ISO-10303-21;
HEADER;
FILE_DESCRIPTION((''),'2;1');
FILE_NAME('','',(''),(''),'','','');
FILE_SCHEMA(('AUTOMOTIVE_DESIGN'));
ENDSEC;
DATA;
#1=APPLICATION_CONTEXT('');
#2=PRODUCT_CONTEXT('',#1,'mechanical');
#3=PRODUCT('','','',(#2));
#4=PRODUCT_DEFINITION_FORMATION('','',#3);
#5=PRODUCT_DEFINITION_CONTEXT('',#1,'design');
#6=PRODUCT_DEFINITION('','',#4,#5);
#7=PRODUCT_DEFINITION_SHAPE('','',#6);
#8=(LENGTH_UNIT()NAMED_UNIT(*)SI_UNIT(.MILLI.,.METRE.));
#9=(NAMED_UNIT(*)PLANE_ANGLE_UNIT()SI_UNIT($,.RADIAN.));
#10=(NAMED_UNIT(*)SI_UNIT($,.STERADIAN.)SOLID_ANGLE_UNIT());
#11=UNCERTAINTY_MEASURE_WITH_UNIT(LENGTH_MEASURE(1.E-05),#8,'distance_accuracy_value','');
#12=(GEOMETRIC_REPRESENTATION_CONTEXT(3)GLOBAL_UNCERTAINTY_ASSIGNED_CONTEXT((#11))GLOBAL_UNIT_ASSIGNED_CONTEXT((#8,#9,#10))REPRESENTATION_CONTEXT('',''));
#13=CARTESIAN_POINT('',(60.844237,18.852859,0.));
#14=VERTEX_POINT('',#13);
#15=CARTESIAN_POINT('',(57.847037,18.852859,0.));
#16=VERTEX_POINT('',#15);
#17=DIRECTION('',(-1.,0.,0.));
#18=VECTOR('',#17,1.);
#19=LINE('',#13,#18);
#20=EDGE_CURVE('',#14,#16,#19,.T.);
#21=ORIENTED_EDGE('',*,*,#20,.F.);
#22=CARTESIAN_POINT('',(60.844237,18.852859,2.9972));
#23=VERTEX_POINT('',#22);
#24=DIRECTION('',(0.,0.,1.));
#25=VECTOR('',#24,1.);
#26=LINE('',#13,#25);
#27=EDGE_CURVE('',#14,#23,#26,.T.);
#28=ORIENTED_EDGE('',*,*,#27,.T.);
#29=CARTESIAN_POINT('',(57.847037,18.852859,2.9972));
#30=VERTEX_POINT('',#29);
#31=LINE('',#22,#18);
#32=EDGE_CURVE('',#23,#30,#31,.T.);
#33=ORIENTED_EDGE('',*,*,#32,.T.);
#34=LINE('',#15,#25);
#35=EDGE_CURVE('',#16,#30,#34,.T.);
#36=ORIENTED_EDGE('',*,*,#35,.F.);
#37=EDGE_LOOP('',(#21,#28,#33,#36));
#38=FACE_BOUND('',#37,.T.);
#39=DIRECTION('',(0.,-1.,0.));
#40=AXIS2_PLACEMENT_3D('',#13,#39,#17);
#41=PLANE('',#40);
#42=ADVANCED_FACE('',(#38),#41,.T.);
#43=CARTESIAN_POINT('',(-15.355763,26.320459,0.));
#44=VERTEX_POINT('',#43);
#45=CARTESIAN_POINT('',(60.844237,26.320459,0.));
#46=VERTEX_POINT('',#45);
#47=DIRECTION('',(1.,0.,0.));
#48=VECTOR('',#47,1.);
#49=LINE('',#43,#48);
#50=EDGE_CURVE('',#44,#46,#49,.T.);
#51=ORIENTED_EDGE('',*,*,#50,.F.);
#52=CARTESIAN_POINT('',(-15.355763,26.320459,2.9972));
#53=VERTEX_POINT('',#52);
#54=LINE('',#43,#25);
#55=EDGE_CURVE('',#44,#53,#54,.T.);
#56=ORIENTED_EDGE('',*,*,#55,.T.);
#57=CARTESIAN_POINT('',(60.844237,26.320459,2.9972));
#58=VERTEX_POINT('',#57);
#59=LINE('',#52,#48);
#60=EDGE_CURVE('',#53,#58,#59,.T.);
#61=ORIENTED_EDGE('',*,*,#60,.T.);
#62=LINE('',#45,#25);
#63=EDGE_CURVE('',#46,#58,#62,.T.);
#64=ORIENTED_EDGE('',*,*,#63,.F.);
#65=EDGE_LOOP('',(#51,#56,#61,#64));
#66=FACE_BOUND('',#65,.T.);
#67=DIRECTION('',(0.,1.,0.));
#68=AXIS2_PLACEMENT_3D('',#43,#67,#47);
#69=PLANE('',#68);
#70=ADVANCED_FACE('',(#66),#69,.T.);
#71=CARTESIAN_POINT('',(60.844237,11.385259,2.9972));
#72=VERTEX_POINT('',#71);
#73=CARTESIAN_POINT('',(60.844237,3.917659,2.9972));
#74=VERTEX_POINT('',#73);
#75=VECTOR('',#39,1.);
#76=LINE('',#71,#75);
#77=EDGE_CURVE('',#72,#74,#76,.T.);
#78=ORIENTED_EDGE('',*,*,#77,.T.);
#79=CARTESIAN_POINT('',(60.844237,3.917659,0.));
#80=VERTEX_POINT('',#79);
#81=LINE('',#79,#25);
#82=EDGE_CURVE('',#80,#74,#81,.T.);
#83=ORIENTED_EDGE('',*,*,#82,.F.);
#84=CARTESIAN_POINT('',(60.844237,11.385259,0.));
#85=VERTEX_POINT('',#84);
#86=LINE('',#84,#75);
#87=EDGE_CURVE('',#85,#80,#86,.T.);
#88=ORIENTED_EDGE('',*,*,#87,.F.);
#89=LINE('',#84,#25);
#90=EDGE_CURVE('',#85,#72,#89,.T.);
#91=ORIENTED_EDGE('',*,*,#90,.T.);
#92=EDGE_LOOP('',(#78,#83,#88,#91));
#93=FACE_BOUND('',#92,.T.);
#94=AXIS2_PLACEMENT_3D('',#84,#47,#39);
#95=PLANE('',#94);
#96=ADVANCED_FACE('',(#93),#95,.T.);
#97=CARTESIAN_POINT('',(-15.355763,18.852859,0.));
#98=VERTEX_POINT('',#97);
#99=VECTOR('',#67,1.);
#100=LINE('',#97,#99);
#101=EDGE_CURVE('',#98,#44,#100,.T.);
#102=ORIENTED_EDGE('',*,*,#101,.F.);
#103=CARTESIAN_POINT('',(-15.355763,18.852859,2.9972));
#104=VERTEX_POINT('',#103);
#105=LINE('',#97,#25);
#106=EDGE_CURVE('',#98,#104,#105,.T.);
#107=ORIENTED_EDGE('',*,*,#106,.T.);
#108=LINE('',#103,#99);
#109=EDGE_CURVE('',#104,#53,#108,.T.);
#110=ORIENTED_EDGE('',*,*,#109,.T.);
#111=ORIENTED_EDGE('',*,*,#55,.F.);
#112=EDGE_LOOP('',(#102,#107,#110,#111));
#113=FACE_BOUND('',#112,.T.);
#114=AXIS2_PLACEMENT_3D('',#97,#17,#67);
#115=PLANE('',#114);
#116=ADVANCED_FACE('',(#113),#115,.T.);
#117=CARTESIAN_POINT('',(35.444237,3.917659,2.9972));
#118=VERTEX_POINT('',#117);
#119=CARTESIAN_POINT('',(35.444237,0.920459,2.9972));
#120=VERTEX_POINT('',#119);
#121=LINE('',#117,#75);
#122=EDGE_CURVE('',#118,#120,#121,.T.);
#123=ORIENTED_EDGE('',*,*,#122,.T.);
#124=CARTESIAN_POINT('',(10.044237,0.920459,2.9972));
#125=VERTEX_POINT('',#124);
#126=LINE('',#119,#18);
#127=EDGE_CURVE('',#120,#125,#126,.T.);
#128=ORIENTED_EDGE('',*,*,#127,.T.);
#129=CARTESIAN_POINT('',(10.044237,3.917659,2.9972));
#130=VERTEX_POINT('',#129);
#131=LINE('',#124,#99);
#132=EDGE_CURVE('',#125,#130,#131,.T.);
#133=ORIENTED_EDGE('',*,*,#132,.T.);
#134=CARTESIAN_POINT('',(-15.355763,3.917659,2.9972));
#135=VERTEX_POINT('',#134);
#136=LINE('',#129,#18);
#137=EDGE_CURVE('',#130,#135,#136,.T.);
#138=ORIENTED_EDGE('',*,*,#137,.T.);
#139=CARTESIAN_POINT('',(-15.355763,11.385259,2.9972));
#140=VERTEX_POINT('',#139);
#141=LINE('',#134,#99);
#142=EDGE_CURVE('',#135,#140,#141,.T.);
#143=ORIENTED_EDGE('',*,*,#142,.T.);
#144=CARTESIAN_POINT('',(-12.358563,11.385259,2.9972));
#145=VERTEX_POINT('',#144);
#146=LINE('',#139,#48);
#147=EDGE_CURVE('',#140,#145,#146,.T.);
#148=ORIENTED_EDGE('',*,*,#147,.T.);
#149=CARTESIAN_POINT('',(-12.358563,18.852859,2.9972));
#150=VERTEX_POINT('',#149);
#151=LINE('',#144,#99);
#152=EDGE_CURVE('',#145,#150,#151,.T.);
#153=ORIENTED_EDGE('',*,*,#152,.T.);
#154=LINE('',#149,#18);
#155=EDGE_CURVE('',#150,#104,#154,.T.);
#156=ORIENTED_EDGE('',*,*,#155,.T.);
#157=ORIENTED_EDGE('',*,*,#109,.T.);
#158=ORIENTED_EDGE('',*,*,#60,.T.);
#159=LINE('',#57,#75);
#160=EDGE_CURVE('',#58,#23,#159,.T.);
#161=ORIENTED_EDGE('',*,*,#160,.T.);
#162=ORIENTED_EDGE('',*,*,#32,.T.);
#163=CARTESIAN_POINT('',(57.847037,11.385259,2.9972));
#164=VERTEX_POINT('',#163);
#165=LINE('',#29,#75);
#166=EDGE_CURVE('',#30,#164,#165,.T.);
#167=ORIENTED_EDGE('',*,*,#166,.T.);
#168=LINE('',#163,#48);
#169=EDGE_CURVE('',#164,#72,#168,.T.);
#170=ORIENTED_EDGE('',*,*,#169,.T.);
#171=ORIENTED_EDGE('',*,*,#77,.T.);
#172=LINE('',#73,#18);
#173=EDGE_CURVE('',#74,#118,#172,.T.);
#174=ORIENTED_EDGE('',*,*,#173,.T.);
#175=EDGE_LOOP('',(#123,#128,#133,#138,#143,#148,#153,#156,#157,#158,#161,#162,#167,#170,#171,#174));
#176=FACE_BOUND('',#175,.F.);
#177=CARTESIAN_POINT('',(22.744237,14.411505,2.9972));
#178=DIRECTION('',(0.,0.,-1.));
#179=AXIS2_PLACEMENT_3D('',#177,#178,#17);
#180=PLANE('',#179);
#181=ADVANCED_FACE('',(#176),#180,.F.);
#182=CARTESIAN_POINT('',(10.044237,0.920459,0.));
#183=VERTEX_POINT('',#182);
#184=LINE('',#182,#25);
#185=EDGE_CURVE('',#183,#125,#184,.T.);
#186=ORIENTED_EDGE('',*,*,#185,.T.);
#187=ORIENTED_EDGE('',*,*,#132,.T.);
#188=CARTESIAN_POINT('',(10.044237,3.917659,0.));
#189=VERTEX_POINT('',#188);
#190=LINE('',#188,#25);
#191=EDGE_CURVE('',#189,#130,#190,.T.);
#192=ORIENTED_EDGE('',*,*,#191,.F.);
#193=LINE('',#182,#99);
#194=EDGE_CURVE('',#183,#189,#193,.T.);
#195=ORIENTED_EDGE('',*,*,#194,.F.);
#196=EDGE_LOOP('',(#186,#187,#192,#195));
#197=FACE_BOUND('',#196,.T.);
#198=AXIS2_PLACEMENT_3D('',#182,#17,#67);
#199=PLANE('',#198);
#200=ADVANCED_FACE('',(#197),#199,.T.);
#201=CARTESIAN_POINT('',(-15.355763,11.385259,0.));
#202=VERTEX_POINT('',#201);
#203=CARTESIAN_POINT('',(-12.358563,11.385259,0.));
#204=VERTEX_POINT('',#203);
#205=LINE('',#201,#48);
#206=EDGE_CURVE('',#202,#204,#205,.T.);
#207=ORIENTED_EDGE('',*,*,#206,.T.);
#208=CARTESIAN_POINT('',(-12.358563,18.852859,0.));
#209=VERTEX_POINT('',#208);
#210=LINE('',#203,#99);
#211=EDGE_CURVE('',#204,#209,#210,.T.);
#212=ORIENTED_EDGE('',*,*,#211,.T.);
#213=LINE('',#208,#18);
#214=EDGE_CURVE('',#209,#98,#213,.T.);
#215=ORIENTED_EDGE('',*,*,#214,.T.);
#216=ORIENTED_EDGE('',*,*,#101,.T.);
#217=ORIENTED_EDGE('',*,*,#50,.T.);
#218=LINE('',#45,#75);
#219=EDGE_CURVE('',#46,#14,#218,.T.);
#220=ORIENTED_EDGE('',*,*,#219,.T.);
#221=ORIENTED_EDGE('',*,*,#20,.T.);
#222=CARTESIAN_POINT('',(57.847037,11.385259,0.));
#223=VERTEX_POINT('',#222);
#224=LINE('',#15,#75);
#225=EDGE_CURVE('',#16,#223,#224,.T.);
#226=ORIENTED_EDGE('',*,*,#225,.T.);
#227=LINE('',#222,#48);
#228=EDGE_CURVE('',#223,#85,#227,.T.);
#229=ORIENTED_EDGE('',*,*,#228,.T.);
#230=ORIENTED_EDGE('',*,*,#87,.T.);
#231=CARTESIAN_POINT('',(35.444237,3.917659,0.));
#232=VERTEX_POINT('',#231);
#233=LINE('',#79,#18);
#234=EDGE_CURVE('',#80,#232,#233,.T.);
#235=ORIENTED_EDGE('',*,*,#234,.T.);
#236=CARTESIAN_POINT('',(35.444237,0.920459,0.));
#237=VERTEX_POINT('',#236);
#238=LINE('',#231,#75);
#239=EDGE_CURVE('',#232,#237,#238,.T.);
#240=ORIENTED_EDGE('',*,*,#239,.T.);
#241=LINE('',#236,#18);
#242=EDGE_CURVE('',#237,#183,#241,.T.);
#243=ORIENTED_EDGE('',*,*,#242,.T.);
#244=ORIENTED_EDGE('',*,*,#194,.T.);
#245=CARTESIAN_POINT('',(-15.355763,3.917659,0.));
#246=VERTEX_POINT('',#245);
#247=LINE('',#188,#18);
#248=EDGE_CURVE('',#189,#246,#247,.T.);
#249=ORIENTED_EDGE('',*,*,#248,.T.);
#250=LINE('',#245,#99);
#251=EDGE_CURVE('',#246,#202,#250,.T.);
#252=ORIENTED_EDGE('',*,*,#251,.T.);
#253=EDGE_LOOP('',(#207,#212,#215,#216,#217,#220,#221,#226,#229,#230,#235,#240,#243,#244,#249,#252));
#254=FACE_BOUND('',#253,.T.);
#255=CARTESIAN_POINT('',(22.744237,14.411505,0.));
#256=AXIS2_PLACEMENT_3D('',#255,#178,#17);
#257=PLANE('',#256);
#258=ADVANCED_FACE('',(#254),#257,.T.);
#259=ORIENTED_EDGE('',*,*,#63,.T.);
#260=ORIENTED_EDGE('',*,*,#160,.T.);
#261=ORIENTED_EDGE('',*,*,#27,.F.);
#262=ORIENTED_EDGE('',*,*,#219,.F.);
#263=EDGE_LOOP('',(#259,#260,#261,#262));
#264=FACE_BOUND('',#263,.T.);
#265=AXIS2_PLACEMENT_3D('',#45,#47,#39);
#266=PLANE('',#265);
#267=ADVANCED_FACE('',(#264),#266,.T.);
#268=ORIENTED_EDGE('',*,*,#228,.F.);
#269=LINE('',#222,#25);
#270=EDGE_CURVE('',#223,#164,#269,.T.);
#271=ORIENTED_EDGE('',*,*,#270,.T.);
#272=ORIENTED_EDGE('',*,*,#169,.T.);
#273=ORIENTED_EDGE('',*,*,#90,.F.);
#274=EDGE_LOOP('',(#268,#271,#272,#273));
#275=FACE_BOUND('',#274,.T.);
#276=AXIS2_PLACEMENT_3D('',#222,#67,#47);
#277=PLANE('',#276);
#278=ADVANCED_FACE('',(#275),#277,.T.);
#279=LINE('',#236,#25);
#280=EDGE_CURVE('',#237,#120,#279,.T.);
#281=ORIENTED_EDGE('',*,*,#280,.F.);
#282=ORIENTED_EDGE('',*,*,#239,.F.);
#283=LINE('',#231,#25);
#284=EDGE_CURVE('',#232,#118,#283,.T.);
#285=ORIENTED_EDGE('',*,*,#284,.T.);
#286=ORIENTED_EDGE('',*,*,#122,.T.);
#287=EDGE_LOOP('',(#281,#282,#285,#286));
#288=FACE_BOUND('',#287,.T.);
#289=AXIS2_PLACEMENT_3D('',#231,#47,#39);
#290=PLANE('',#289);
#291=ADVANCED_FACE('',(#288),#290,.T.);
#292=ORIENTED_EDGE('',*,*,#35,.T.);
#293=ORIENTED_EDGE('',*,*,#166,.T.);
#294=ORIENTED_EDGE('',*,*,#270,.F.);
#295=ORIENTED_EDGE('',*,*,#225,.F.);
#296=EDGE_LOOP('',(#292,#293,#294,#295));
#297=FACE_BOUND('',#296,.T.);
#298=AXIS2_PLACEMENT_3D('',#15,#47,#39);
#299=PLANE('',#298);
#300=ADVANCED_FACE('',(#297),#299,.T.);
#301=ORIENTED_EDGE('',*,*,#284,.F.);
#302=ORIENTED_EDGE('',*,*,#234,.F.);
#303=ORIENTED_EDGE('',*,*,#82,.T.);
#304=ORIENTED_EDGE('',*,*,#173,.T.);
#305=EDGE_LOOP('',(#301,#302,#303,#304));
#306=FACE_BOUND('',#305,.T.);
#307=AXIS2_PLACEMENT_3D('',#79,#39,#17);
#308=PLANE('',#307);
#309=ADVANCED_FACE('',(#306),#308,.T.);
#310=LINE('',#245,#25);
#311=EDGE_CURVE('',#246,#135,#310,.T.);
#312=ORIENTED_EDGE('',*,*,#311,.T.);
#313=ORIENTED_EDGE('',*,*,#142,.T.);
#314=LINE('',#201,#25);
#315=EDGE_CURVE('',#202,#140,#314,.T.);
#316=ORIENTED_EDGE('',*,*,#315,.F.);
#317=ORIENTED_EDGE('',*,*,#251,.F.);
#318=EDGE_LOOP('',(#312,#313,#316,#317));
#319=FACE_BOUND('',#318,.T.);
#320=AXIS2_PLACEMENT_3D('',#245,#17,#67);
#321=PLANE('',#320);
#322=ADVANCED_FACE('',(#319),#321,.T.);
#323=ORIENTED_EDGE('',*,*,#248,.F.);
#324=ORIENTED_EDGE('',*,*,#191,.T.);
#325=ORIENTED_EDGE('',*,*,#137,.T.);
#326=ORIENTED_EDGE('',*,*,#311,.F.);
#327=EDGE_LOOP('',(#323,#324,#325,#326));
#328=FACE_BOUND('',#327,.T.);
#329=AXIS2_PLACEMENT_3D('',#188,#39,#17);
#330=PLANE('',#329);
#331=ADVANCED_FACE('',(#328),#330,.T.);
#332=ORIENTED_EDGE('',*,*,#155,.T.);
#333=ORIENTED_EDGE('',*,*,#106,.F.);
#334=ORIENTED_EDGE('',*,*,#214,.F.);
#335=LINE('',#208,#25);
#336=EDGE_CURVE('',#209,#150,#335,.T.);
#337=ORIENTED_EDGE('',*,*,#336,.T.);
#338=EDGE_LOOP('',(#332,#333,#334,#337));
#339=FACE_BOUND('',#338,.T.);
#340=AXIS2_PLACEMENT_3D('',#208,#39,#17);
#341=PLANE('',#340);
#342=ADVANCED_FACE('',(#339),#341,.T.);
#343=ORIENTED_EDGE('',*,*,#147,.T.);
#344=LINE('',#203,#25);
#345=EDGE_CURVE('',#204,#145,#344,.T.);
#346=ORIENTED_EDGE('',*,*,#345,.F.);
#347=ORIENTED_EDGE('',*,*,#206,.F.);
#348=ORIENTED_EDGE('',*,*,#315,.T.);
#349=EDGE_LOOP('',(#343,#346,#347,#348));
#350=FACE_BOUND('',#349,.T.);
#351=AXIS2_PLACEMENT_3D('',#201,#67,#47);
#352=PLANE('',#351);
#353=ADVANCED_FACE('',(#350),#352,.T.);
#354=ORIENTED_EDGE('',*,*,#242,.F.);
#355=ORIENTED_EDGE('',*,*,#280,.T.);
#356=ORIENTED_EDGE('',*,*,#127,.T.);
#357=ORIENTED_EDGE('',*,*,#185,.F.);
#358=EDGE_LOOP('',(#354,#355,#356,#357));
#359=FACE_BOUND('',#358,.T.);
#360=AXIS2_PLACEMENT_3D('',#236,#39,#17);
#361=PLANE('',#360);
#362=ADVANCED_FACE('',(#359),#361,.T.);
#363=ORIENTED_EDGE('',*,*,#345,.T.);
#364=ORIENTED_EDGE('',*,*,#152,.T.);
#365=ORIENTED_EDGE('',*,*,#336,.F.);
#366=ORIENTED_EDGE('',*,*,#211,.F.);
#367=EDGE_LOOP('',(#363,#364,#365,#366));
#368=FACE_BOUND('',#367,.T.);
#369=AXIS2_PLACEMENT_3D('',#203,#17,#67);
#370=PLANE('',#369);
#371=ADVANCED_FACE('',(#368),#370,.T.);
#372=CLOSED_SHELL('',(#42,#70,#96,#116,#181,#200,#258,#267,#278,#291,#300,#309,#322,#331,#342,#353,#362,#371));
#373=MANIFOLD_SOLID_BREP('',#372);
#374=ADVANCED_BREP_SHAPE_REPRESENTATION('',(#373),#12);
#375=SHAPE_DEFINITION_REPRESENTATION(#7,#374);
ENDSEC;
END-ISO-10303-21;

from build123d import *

# Parameters (mm, degrees)
BOSS_EXTRUDE1_DEPTH = 2.9972


with BuildPart() as part:
    # Sketch1 → Boss-Extrude1 (new body)
    with BuildSketch(Plane.XY):
        Polygon((-15.355763029, 18.852859277), (-15.355763029, 26.320459277), (60.844236971, 26.320459277), (60.844236971, 18.852859277), (57.847036971, 18.852859277), (57.847036971, 11.385259277), (60.844236971, 11.385259277), (60.844236971, 3.917659277), (35.444236971, 3.917659277), (35.444236971, 0.920459277), (10.044236971, 0.920459277), (10.044236971, 3.917659277), (-15.355763029, 3.917659277), (-15.355763029, 11.385259277), (-12.358563029, 11.385259277), (-12.358563029, 18.852859277), align=None)
    extrude(amount=BOSS_EXTRUDE1_DEPTH)


solid = part.part
